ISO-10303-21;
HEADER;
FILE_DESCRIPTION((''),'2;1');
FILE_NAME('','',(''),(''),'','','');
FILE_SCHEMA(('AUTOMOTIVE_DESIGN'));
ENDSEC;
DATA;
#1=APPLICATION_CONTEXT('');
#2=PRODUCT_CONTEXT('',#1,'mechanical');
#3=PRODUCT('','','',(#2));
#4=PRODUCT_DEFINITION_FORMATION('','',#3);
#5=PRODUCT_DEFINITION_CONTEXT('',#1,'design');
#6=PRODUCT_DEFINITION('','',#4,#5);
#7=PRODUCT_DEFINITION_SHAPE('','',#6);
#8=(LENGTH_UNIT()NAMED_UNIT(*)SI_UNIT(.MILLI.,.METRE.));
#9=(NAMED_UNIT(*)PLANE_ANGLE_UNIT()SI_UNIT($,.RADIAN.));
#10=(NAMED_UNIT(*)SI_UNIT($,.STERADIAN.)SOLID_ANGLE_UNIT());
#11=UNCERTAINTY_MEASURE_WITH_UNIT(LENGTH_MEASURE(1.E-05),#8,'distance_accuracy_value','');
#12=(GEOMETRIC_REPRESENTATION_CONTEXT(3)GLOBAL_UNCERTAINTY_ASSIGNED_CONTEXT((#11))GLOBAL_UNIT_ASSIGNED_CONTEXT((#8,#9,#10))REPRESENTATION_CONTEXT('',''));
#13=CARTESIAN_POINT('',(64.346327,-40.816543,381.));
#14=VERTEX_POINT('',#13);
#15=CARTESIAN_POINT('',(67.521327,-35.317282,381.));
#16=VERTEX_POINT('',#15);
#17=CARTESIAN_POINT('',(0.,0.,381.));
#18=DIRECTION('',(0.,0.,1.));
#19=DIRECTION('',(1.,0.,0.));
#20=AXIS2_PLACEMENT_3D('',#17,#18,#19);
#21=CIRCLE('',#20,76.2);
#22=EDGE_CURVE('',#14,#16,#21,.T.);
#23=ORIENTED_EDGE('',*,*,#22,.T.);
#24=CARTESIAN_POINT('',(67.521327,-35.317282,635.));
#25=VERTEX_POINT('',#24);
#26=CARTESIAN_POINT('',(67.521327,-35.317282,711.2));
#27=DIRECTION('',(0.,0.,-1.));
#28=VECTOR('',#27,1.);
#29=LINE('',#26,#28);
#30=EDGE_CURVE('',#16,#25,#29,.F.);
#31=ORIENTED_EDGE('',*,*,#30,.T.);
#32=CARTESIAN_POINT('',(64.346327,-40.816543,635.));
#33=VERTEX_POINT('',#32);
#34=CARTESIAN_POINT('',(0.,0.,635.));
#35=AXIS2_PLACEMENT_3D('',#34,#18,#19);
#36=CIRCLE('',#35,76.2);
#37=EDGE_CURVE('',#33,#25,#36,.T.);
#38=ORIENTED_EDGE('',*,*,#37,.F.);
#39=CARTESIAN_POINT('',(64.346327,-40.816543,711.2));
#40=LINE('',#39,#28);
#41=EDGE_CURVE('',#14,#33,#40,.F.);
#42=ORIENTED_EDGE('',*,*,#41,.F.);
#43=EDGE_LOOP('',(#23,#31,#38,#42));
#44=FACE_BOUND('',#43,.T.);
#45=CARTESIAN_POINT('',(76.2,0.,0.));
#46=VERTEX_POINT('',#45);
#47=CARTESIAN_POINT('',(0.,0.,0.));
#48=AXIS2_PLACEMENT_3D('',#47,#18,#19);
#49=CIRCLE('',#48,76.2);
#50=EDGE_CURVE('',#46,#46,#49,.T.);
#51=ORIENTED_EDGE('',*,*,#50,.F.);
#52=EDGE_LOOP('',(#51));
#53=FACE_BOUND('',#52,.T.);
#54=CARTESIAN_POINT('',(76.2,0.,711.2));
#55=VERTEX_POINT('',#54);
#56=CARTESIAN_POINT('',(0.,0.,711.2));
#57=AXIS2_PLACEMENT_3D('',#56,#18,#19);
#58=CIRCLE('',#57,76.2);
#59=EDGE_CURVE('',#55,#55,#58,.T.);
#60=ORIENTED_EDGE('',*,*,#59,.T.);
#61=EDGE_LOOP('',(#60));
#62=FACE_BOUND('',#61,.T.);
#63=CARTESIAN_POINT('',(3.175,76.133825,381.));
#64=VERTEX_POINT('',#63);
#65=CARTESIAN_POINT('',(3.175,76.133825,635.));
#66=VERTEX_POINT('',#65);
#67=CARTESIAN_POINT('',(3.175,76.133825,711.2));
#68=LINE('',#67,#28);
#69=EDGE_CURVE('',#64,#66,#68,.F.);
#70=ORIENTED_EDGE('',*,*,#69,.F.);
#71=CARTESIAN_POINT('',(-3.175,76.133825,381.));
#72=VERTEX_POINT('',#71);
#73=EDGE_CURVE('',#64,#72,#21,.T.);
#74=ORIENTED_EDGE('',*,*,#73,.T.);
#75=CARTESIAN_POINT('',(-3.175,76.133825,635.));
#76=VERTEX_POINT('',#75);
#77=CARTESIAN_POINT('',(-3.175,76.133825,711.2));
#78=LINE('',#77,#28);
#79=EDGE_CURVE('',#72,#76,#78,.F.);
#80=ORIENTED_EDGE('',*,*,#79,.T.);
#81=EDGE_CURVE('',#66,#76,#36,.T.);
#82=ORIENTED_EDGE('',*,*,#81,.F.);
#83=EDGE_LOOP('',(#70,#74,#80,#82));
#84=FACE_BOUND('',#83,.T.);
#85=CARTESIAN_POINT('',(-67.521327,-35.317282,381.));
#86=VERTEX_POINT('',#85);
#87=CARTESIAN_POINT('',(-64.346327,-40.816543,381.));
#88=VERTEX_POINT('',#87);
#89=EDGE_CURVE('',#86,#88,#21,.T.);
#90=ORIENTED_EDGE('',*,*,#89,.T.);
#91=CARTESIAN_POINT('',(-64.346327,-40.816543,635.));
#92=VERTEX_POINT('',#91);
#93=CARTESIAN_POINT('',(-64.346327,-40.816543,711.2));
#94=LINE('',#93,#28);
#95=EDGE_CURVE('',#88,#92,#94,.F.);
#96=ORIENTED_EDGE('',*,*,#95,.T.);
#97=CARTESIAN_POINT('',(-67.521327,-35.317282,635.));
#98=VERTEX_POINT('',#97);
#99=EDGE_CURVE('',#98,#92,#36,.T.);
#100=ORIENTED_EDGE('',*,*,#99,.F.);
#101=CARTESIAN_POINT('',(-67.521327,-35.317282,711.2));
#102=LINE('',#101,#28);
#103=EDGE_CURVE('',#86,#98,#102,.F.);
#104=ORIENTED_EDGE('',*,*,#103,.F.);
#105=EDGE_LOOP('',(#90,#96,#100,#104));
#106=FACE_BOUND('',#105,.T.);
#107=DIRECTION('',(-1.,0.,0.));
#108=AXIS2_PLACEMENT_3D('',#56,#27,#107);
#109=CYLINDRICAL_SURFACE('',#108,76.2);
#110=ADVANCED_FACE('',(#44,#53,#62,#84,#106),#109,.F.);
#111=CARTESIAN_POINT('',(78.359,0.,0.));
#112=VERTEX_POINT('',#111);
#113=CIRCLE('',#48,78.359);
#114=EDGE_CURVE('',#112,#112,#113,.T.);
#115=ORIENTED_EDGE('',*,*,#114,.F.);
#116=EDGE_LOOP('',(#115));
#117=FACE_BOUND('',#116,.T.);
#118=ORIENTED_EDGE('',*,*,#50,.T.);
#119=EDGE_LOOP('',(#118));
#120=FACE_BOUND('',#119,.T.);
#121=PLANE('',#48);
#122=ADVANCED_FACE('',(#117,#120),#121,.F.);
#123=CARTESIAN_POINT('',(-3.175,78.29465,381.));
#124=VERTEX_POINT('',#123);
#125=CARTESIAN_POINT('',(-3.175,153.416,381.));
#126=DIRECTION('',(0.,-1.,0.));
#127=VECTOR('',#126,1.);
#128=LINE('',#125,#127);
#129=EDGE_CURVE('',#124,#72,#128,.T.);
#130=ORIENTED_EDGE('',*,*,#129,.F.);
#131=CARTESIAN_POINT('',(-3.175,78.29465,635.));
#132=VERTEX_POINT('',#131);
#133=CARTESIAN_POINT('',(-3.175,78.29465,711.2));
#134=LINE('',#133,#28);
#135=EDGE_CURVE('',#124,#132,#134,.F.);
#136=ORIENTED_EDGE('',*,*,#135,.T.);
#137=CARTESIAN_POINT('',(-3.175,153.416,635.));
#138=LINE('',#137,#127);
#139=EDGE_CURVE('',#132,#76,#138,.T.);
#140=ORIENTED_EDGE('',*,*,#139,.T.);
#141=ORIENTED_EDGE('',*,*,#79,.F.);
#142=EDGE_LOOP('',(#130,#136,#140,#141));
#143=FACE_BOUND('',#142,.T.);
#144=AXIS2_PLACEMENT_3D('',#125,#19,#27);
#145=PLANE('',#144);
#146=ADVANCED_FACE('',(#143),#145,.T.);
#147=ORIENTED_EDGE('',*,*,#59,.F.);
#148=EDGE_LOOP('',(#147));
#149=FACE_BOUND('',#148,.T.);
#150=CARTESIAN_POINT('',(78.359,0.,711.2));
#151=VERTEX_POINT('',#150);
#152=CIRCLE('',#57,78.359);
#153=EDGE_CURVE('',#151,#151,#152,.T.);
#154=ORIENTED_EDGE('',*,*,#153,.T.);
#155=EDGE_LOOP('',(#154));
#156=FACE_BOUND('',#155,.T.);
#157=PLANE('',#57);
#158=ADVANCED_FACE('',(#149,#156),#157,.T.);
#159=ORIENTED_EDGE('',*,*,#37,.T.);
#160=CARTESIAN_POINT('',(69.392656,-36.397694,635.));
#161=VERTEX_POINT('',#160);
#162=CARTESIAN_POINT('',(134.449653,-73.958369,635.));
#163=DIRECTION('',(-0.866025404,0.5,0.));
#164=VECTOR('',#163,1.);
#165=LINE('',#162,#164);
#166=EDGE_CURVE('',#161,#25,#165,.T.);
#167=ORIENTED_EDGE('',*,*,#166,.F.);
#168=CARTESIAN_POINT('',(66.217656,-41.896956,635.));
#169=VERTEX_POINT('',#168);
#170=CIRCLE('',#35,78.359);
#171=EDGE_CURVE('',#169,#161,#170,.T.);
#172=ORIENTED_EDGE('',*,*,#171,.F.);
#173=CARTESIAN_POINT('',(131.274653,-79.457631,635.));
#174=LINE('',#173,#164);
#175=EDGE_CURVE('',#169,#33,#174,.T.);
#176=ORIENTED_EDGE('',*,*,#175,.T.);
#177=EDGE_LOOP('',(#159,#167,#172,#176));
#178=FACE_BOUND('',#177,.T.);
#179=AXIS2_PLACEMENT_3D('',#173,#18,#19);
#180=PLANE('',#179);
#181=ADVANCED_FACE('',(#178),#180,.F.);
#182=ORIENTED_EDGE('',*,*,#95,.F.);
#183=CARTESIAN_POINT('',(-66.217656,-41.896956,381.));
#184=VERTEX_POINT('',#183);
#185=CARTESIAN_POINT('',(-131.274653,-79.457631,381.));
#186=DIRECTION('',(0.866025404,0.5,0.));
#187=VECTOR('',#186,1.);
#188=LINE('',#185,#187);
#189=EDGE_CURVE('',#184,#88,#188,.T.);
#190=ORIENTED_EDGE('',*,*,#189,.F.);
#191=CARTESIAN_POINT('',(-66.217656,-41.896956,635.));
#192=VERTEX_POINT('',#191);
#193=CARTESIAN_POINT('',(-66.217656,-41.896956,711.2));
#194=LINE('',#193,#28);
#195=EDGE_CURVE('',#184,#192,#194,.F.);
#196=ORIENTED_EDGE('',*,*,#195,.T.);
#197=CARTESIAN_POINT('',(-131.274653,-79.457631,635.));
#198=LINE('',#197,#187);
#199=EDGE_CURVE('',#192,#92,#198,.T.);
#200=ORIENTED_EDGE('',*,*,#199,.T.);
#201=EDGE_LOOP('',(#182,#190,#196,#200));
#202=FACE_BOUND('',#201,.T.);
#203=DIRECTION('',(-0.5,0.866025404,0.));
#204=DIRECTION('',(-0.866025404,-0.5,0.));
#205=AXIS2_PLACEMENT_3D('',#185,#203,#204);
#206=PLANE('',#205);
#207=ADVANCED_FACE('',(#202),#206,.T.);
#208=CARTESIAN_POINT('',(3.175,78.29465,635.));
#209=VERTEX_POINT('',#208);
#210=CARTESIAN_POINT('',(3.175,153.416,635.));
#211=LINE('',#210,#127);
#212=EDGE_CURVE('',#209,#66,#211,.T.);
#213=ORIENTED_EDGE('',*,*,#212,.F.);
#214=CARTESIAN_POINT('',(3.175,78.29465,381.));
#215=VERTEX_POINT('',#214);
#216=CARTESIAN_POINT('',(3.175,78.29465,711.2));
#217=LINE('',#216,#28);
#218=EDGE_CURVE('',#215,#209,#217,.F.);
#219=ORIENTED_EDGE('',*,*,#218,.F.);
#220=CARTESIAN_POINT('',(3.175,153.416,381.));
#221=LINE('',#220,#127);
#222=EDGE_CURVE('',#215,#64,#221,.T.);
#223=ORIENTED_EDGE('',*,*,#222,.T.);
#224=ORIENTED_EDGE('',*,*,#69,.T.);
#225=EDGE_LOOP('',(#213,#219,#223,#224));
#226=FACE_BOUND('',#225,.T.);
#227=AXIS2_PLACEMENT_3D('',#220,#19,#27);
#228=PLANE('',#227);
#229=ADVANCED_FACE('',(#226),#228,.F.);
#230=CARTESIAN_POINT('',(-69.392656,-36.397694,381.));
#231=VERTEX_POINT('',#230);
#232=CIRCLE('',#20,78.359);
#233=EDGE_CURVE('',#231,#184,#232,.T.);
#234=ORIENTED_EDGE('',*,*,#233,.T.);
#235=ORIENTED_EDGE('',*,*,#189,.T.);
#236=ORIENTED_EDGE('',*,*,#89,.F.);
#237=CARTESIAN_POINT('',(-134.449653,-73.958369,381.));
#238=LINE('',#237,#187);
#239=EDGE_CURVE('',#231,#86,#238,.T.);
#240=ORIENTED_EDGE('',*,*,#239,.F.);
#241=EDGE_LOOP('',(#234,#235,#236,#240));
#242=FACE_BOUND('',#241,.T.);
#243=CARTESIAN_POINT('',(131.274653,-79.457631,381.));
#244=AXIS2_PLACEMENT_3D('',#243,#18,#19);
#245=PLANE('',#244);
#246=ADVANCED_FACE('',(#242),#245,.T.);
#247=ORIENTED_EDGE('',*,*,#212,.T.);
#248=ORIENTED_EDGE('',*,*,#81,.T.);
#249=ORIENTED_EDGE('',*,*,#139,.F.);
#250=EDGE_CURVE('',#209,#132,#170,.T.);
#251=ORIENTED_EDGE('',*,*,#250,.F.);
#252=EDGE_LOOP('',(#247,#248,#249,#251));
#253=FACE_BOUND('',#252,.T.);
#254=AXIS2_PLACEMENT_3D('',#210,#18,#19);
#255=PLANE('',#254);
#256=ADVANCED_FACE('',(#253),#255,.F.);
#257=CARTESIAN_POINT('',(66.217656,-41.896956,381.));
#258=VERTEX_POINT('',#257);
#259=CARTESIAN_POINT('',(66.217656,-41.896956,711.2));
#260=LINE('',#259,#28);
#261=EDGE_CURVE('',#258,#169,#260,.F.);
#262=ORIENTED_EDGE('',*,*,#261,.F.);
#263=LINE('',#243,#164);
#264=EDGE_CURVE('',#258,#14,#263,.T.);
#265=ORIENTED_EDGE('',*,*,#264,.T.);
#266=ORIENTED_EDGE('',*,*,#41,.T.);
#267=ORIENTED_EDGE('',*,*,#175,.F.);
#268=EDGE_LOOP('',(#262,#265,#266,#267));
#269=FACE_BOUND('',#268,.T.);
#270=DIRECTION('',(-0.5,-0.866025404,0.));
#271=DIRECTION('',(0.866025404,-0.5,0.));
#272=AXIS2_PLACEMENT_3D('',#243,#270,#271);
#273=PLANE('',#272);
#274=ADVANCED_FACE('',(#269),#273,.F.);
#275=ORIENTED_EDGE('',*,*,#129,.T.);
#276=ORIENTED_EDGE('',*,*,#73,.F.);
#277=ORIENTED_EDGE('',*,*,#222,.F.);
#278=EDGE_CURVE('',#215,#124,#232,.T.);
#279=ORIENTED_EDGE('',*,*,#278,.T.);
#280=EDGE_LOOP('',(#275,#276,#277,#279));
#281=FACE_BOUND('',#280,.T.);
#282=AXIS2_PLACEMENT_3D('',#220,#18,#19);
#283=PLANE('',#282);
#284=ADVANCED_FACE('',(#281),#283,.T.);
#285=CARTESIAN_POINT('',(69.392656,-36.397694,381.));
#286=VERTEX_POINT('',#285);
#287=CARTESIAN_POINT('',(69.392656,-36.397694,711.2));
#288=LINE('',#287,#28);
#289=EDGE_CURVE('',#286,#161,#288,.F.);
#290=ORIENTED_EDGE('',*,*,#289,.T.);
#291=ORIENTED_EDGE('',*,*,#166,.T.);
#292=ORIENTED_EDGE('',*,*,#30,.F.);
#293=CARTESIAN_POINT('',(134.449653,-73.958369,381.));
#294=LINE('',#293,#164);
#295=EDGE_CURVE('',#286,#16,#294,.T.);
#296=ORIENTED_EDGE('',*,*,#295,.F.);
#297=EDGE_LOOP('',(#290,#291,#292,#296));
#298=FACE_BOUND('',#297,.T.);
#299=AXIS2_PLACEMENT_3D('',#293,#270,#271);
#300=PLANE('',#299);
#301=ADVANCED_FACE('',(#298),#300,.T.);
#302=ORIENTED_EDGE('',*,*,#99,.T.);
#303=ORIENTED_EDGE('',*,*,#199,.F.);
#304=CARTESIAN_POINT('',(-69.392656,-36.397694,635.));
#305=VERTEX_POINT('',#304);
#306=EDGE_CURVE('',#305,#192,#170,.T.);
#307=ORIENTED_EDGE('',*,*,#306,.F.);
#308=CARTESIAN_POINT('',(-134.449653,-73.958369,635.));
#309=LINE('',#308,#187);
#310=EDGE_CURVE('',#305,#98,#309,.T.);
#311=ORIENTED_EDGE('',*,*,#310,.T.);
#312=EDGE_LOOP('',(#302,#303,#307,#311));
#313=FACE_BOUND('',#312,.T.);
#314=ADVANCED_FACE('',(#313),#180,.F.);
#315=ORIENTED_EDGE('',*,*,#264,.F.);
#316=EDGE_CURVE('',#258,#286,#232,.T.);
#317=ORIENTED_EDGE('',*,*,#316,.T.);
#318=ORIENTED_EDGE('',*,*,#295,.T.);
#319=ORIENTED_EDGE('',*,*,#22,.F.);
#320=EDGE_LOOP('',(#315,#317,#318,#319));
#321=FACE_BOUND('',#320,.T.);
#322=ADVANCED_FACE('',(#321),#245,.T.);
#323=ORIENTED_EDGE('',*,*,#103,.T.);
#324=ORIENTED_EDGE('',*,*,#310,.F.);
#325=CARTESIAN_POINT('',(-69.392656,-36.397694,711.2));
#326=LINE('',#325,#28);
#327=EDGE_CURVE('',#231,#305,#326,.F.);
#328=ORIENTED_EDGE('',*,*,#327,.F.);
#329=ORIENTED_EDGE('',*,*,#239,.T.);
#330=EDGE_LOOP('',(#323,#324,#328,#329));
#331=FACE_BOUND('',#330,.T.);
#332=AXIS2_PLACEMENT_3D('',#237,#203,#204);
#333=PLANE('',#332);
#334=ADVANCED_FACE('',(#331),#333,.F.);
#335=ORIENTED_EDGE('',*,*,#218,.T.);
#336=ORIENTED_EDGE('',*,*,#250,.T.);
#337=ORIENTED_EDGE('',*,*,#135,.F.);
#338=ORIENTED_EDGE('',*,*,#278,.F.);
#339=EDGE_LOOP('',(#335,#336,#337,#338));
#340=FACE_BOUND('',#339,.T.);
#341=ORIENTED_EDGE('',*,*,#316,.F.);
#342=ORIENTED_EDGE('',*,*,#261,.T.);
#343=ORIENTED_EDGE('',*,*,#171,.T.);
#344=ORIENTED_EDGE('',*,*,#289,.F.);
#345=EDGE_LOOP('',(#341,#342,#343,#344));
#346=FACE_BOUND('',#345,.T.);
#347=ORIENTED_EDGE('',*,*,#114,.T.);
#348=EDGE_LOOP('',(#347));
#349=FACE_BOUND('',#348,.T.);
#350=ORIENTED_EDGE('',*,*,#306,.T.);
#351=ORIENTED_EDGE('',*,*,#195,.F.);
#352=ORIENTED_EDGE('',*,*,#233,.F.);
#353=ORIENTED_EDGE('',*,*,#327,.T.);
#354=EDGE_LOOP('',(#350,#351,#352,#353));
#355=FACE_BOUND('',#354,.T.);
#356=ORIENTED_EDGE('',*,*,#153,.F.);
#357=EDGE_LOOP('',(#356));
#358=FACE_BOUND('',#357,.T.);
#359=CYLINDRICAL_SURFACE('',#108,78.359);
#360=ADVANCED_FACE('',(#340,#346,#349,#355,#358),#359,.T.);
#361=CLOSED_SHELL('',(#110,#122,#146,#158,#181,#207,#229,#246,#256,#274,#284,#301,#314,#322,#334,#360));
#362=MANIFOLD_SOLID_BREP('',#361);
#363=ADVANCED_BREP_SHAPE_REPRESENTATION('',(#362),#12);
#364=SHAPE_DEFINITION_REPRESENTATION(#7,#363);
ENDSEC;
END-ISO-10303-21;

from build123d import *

# Parameters (mm, degrees)
ESQUISSE2_R                  = 78.359
ESQUISSE2_R_2                = 76.2
BOSS_EXTRU_1_DEPTH           = 711.2
ESQUISSE3_W                  = 6.35
ESQUISSE3_H                  = 254
ENL_V_MAT_EXTRU_1_DEPTH      = 153.416
R_P_TITION_CIRCULAIRE1_COUNT = 3


with BuildPart() as part:
    # Esquisse2 → Boss.-Extru.1 (new body)
    with BuildSketch(Plane.XY):
        Circle(ESQUISSE2_R)
        Circle(ESQUISSE2_R_2, mode=Mode.SUBTRACT)
    extrude(amount=BOSS_EXTRU_1_DEPTH)

    # Esquisse3 → Enlèv. mat.-Extru.1 (cut)
    with BuildSketch(Plane(origin=(0, 0, 0), x_dir=(1, 0, 0), z_dir=(0, 1, 0))):
        with Locations((0, -508)):
            Rectangle(ESQUISSE3_W, ESQUISSE3_H)
    enl_v_mat_extru_1 = extrude(amount=ENL_V_MAT_EXTRU_1_DEPTH, mode=Mode.SUBTRACT)

    # Répétition circulaire1: Enlèv. mat.-Extru.1 ×3 about axis
    r_p_tition_circulaire1_axis = Axis((0, 0, 0), (0, 0, 1))
    for i in range(1, R_P_TITION_CIRCULAIRE1_COUNT):
        add(enl_v_mat_extru_1.rotate(r_p_tition_circulaire1_axis, i * 360 / R_P_TITION_CIRCULAIRE1_COUNT), mode=Mode.SUBTRACT)


solid = part.part
